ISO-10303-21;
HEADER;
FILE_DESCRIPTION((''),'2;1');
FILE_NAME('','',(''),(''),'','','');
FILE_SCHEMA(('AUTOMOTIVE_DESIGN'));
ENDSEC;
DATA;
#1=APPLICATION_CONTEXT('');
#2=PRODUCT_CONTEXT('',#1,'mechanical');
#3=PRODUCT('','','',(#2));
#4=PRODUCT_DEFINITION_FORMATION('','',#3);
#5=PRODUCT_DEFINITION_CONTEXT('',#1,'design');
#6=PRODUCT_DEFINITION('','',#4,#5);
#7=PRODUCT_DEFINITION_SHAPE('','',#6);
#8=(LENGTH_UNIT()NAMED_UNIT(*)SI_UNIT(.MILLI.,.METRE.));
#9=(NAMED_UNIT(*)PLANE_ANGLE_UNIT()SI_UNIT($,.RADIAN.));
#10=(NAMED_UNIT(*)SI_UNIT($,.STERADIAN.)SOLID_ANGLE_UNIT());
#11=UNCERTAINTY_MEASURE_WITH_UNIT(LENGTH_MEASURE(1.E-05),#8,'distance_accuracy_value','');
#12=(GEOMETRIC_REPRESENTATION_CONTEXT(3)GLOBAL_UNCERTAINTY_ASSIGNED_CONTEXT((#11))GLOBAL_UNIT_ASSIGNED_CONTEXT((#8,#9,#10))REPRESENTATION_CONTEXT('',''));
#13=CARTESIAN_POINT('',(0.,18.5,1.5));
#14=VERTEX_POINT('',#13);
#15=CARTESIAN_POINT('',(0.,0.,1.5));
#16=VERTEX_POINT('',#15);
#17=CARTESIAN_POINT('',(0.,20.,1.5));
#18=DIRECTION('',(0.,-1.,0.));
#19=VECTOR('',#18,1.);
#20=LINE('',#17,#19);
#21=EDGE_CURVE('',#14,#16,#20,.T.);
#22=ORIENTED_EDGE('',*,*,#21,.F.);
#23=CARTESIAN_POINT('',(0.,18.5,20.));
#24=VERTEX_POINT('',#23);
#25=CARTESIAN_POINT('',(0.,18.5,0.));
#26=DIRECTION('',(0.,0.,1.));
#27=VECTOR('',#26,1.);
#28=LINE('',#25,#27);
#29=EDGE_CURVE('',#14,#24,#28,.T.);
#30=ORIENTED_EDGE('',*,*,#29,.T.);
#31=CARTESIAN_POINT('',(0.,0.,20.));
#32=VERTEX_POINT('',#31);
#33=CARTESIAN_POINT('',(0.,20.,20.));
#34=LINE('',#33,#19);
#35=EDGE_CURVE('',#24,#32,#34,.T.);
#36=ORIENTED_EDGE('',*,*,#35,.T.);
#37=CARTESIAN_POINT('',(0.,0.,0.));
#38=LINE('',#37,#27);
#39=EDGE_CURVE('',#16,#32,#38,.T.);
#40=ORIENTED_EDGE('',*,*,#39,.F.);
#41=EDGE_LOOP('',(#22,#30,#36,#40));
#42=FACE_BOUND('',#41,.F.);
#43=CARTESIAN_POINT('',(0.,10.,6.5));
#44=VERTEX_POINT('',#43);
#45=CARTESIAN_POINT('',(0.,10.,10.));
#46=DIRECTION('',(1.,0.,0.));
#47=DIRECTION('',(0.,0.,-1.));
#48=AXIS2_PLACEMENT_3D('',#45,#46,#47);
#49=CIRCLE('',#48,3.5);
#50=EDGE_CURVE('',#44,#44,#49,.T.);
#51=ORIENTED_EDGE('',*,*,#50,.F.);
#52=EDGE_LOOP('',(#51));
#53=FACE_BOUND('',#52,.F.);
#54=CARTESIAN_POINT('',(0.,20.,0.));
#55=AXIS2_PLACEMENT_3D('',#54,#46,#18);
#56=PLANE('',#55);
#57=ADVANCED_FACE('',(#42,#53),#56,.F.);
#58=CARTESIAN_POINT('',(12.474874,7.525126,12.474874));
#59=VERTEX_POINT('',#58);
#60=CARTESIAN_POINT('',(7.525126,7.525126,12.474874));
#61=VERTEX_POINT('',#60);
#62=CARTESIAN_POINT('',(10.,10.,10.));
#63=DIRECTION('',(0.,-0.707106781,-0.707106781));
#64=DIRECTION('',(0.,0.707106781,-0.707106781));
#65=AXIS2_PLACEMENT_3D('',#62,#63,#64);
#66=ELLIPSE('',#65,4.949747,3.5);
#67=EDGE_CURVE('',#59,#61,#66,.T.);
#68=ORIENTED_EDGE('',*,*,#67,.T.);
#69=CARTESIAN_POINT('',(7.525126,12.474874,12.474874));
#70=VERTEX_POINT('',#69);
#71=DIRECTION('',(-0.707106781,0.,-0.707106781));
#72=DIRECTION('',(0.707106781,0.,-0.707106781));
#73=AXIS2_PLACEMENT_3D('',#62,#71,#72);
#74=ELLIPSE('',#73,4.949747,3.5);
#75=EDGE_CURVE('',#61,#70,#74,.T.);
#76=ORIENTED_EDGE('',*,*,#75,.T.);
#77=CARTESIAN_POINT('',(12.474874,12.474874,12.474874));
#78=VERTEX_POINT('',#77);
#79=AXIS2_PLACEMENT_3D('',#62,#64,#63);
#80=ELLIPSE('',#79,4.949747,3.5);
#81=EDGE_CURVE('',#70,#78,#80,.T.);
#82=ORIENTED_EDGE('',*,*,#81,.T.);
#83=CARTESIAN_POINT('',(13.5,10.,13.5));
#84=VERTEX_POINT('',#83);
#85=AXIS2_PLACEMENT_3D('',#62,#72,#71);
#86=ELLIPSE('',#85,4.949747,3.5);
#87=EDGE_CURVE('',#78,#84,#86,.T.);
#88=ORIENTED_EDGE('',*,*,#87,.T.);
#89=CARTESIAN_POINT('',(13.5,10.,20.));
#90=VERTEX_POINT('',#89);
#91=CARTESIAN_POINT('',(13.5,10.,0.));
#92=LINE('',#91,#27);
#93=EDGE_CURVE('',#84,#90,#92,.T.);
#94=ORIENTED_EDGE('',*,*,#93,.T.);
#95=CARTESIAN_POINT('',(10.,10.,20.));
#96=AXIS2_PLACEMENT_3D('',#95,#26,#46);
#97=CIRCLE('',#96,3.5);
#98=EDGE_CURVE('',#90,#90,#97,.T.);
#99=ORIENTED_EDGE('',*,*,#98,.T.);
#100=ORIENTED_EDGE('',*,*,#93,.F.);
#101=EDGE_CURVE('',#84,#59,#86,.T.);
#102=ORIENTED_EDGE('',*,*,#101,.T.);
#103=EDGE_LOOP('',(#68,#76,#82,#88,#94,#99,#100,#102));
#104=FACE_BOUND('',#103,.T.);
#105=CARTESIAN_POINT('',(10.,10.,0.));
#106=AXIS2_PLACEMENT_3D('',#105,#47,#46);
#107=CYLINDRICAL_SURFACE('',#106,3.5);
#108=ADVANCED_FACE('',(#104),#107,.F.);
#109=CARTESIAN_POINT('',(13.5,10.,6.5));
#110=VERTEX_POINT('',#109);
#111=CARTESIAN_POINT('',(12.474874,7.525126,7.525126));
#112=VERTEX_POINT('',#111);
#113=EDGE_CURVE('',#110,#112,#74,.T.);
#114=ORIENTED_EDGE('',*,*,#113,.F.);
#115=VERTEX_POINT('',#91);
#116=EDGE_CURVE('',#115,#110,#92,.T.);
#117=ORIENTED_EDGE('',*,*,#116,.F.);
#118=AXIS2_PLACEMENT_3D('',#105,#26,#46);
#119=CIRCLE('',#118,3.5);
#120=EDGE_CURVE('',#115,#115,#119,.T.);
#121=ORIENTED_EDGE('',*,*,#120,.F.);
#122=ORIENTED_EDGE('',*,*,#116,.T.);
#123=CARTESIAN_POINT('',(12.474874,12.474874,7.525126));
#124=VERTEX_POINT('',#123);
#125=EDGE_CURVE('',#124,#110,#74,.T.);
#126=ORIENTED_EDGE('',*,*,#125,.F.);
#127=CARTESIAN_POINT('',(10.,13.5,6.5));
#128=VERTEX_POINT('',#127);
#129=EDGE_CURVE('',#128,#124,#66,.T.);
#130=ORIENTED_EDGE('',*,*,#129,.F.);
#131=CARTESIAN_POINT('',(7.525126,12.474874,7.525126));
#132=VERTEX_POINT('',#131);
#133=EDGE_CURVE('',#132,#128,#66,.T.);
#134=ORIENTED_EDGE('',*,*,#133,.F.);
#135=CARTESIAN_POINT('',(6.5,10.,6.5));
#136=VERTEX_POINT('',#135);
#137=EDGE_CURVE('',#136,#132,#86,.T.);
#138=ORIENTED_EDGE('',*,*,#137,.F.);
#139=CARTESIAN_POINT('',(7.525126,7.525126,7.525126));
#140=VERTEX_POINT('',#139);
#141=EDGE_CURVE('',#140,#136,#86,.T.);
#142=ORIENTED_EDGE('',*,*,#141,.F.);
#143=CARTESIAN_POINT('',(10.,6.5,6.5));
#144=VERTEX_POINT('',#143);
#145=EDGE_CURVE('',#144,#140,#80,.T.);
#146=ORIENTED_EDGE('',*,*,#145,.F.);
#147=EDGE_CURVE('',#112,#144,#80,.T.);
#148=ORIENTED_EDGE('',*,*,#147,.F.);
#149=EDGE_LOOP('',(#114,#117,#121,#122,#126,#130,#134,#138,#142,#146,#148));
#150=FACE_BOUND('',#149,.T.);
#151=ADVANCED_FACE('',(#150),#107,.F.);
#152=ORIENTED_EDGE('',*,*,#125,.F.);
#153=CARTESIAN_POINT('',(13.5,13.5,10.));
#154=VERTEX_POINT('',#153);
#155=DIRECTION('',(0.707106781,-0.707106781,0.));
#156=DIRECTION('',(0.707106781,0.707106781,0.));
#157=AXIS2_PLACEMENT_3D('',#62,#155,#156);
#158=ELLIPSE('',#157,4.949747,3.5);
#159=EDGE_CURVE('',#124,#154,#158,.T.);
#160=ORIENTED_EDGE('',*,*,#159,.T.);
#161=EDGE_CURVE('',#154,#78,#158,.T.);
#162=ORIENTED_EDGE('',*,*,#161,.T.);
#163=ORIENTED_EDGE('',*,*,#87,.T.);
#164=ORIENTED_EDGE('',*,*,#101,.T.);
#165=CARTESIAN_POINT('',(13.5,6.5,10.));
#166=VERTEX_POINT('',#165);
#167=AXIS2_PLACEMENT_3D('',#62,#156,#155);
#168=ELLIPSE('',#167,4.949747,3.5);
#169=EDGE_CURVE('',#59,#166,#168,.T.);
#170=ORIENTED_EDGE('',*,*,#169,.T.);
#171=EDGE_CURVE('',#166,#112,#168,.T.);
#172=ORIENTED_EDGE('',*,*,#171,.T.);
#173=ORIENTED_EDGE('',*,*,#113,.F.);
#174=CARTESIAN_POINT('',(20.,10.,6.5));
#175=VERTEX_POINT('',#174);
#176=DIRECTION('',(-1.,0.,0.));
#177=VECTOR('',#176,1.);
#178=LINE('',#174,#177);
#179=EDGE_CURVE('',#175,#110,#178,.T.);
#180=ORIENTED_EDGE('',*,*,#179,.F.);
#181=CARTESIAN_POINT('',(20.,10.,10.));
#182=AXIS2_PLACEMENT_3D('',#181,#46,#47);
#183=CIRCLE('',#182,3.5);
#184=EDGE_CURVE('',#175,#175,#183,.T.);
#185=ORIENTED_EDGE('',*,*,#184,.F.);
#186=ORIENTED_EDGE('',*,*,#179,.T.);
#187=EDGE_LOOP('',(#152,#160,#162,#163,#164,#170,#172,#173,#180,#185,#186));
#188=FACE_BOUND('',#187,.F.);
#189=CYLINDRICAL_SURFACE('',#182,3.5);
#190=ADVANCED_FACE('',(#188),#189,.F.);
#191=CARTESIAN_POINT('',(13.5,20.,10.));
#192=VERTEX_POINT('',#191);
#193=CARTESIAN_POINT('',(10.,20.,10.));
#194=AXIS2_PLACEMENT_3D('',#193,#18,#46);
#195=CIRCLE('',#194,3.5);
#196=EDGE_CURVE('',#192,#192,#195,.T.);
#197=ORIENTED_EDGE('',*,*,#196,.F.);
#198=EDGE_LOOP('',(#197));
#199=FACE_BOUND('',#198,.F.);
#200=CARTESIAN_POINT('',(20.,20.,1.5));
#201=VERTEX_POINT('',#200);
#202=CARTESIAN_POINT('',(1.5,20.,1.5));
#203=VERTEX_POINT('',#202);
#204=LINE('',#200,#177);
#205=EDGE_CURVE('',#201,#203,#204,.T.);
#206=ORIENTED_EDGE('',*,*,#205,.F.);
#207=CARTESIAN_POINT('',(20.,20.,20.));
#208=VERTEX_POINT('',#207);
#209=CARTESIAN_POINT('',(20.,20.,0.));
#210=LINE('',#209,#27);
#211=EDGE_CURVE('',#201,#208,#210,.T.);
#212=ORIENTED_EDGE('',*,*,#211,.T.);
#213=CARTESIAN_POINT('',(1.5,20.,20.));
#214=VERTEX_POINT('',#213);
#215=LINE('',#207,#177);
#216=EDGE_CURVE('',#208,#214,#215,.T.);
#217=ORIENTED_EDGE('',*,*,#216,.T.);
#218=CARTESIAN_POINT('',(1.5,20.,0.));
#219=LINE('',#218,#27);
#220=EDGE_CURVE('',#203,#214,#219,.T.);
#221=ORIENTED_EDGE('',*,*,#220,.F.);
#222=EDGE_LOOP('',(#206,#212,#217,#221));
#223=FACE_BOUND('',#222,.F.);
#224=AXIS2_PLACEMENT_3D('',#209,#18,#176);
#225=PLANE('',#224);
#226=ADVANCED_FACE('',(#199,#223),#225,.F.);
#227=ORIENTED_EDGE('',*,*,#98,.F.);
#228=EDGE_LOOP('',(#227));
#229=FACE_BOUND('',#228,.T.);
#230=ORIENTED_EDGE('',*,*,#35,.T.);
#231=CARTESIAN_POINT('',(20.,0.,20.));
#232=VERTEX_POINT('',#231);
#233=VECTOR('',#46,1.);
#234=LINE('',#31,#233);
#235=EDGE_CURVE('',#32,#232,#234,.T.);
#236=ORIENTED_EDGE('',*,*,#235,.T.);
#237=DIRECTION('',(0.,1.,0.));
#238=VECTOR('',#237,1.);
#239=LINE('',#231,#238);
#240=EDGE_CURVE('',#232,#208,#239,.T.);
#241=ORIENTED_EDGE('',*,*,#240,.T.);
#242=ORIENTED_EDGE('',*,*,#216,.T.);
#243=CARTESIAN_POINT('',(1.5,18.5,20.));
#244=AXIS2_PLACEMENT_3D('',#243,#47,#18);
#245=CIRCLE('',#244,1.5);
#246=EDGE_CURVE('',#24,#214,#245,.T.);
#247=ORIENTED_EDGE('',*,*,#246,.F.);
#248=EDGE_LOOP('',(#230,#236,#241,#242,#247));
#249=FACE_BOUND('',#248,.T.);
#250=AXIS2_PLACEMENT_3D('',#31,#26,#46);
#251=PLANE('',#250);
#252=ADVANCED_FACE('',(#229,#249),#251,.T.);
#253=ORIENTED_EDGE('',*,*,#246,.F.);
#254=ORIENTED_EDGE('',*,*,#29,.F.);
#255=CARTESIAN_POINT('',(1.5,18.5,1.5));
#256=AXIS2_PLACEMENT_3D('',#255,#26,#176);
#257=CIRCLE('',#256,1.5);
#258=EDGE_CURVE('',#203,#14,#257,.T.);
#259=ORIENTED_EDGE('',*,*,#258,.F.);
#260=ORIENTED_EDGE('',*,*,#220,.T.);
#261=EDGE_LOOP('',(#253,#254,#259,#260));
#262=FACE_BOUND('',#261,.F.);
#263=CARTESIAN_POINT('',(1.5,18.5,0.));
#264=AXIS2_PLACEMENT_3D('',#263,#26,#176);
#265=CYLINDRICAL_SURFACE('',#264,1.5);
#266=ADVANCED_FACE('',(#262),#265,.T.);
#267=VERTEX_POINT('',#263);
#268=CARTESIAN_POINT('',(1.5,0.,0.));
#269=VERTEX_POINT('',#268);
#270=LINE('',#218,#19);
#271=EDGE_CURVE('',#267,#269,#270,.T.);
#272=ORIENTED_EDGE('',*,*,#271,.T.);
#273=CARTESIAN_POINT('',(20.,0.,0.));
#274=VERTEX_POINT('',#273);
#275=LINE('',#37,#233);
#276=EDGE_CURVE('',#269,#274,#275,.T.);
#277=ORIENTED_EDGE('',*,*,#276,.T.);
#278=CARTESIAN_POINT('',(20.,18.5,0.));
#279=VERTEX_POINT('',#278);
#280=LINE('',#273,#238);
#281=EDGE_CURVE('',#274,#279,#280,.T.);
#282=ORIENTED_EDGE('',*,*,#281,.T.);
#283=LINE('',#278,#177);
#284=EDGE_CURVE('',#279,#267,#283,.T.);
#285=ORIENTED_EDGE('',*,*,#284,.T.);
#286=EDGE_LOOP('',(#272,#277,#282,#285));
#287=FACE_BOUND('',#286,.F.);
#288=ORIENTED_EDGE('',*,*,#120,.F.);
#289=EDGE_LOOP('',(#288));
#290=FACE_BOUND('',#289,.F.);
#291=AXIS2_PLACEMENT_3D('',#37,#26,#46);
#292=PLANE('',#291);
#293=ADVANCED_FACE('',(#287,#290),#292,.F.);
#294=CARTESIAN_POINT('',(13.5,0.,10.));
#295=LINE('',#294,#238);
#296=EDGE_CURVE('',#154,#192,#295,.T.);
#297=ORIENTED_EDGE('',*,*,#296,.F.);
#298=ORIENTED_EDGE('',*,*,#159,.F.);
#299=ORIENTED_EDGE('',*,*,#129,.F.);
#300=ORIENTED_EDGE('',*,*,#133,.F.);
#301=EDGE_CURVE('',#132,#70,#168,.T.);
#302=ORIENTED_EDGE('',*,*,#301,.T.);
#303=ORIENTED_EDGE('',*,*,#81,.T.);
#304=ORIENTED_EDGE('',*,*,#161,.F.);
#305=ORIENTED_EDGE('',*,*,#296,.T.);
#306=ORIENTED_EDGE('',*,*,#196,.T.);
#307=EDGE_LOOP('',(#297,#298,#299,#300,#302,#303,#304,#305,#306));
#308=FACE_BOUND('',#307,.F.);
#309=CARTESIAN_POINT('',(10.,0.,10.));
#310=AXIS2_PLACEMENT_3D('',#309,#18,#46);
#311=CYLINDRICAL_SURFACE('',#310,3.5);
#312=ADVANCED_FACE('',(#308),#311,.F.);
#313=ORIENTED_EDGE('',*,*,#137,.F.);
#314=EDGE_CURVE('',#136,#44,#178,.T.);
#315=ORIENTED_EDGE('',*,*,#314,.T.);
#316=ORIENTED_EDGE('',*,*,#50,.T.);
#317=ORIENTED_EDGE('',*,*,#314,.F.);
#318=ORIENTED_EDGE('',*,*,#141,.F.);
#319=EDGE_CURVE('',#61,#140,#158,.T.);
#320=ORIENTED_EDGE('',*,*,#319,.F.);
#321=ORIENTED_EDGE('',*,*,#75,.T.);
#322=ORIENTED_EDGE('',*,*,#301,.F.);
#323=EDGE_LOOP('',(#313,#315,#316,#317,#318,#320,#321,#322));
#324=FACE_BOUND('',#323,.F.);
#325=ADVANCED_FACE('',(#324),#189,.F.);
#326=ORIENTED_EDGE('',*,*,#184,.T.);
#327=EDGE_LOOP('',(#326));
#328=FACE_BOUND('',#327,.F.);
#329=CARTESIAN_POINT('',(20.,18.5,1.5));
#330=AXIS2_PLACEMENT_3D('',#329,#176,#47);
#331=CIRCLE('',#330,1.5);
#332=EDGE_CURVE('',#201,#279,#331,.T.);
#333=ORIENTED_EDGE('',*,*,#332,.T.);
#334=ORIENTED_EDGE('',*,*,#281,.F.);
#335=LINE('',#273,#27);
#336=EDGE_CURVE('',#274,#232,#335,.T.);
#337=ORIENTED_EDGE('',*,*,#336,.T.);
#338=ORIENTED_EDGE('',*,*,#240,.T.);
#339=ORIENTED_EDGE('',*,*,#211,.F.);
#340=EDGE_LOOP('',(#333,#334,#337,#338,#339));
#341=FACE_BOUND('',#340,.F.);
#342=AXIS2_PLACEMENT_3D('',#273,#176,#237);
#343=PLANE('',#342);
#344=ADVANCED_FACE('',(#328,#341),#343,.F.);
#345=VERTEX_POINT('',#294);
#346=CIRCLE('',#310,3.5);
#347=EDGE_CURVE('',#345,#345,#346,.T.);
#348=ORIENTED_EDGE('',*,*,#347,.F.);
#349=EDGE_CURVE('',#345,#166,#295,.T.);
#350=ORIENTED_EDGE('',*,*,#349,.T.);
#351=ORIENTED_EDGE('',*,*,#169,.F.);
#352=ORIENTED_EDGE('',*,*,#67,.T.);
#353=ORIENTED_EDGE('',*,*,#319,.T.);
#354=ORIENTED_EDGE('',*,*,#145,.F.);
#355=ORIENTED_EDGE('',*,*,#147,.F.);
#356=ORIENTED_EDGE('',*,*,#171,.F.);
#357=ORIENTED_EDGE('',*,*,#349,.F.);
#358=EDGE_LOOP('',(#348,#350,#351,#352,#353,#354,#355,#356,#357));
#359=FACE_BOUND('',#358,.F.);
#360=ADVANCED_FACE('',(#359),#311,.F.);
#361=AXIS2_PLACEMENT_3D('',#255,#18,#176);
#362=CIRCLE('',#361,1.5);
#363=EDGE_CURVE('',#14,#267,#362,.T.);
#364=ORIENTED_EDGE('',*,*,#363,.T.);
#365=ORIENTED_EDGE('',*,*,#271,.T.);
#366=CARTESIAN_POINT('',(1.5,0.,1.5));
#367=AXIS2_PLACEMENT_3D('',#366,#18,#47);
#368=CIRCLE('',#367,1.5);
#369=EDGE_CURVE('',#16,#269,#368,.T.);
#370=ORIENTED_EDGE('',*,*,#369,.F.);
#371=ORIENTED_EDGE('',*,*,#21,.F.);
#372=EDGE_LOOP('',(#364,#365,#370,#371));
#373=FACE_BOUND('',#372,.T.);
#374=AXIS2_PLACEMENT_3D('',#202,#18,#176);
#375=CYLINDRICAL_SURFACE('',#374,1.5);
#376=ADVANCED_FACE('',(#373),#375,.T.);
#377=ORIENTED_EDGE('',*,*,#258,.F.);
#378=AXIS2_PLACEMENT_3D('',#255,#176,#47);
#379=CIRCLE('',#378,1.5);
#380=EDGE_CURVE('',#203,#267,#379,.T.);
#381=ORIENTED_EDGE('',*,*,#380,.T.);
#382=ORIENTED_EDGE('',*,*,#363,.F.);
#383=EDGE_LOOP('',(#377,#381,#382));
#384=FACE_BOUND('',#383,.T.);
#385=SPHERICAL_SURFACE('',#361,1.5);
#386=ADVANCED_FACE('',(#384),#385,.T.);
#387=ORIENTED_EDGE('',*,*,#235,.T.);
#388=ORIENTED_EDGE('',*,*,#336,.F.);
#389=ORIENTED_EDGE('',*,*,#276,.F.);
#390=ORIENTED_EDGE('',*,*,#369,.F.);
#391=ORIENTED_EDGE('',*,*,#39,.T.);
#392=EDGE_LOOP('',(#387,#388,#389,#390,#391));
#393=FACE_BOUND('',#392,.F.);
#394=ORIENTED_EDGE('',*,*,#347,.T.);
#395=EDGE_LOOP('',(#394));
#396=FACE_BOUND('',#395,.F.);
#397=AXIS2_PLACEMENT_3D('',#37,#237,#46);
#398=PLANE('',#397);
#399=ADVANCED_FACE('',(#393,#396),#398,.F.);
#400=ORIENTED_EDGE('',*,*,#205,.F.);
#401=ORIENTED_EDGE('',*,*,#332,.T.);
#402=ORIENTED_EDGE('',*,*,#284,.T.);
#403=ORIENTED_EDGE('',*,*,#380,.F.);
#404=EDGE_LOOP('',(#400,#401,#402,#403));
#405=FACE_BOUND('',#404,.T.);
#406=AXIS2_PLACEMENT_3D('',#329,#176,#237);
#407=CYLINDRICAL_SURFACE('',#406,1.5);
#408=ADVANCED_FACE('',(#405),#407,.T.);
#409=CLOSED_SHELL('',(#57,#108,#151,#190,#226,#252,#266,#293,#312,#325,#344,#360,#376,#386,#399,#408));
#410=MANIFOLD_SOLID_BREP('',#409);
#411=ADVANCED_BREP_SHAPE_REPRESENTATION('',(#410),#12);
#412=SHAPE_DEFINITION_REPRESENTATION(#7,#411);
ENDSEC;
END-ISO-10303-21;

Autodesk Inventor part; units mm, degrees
ref_plane "YZ Plane" through (0, 0, 0) normal (1, 0, 0) x (0, 1, 0)
ref_plane "XZ Plane" through (0, 0, 0) normal (0, 1, 0) x (-1, 0, 0)
ref_plane "XY Plane" through (0, 0, 0) normal (0, 0, 1) x (1, 0, 0)
sketch "Sketch1" plane through (0, 0, 0) normal (0, 0, 1) x (1, 0, 0)
  line L0 (0, 0) -> (20, 0)
  line L1 (20, 0) -> (20, 20)
  line L2 (20, 20) -> (0, 20)
  line L3 (0, 20) -> (0, 0)
  circle A0 centre (10, 10) radius 3.5
  dimension "d0" = 20
  dimension "d1" = 20
  dimension "d2" = 7
extrude "Extrusion1" add sketch "Sketch1" along normal blind 20
sketch "Sketch2" plane through (20, 0, 0) normal (1, 0, 0) x (0, 0, -1)
  circle A0 centre (-10, 10) radius 3.5
  dimension "d5" = 7
extrude "Extrusion2" cut sketch "Sketch2" against normal blind 20
sketch "Sketch3" plane through (0, 0, 0) normal (0, -1, 0) x (1, 0, 0)
  circle A0 centre (10, 10) radius 3.5
  dimension "d8" = 7
extrude "Extrusion3" cut sketch "Sketch3" against normal blind 20
fillet "Fillet1" radius 1.5 3 edges at (0, 10, 0) (0, 20, 10) (10, 20, 0)
properties part number "Corner Profile"
